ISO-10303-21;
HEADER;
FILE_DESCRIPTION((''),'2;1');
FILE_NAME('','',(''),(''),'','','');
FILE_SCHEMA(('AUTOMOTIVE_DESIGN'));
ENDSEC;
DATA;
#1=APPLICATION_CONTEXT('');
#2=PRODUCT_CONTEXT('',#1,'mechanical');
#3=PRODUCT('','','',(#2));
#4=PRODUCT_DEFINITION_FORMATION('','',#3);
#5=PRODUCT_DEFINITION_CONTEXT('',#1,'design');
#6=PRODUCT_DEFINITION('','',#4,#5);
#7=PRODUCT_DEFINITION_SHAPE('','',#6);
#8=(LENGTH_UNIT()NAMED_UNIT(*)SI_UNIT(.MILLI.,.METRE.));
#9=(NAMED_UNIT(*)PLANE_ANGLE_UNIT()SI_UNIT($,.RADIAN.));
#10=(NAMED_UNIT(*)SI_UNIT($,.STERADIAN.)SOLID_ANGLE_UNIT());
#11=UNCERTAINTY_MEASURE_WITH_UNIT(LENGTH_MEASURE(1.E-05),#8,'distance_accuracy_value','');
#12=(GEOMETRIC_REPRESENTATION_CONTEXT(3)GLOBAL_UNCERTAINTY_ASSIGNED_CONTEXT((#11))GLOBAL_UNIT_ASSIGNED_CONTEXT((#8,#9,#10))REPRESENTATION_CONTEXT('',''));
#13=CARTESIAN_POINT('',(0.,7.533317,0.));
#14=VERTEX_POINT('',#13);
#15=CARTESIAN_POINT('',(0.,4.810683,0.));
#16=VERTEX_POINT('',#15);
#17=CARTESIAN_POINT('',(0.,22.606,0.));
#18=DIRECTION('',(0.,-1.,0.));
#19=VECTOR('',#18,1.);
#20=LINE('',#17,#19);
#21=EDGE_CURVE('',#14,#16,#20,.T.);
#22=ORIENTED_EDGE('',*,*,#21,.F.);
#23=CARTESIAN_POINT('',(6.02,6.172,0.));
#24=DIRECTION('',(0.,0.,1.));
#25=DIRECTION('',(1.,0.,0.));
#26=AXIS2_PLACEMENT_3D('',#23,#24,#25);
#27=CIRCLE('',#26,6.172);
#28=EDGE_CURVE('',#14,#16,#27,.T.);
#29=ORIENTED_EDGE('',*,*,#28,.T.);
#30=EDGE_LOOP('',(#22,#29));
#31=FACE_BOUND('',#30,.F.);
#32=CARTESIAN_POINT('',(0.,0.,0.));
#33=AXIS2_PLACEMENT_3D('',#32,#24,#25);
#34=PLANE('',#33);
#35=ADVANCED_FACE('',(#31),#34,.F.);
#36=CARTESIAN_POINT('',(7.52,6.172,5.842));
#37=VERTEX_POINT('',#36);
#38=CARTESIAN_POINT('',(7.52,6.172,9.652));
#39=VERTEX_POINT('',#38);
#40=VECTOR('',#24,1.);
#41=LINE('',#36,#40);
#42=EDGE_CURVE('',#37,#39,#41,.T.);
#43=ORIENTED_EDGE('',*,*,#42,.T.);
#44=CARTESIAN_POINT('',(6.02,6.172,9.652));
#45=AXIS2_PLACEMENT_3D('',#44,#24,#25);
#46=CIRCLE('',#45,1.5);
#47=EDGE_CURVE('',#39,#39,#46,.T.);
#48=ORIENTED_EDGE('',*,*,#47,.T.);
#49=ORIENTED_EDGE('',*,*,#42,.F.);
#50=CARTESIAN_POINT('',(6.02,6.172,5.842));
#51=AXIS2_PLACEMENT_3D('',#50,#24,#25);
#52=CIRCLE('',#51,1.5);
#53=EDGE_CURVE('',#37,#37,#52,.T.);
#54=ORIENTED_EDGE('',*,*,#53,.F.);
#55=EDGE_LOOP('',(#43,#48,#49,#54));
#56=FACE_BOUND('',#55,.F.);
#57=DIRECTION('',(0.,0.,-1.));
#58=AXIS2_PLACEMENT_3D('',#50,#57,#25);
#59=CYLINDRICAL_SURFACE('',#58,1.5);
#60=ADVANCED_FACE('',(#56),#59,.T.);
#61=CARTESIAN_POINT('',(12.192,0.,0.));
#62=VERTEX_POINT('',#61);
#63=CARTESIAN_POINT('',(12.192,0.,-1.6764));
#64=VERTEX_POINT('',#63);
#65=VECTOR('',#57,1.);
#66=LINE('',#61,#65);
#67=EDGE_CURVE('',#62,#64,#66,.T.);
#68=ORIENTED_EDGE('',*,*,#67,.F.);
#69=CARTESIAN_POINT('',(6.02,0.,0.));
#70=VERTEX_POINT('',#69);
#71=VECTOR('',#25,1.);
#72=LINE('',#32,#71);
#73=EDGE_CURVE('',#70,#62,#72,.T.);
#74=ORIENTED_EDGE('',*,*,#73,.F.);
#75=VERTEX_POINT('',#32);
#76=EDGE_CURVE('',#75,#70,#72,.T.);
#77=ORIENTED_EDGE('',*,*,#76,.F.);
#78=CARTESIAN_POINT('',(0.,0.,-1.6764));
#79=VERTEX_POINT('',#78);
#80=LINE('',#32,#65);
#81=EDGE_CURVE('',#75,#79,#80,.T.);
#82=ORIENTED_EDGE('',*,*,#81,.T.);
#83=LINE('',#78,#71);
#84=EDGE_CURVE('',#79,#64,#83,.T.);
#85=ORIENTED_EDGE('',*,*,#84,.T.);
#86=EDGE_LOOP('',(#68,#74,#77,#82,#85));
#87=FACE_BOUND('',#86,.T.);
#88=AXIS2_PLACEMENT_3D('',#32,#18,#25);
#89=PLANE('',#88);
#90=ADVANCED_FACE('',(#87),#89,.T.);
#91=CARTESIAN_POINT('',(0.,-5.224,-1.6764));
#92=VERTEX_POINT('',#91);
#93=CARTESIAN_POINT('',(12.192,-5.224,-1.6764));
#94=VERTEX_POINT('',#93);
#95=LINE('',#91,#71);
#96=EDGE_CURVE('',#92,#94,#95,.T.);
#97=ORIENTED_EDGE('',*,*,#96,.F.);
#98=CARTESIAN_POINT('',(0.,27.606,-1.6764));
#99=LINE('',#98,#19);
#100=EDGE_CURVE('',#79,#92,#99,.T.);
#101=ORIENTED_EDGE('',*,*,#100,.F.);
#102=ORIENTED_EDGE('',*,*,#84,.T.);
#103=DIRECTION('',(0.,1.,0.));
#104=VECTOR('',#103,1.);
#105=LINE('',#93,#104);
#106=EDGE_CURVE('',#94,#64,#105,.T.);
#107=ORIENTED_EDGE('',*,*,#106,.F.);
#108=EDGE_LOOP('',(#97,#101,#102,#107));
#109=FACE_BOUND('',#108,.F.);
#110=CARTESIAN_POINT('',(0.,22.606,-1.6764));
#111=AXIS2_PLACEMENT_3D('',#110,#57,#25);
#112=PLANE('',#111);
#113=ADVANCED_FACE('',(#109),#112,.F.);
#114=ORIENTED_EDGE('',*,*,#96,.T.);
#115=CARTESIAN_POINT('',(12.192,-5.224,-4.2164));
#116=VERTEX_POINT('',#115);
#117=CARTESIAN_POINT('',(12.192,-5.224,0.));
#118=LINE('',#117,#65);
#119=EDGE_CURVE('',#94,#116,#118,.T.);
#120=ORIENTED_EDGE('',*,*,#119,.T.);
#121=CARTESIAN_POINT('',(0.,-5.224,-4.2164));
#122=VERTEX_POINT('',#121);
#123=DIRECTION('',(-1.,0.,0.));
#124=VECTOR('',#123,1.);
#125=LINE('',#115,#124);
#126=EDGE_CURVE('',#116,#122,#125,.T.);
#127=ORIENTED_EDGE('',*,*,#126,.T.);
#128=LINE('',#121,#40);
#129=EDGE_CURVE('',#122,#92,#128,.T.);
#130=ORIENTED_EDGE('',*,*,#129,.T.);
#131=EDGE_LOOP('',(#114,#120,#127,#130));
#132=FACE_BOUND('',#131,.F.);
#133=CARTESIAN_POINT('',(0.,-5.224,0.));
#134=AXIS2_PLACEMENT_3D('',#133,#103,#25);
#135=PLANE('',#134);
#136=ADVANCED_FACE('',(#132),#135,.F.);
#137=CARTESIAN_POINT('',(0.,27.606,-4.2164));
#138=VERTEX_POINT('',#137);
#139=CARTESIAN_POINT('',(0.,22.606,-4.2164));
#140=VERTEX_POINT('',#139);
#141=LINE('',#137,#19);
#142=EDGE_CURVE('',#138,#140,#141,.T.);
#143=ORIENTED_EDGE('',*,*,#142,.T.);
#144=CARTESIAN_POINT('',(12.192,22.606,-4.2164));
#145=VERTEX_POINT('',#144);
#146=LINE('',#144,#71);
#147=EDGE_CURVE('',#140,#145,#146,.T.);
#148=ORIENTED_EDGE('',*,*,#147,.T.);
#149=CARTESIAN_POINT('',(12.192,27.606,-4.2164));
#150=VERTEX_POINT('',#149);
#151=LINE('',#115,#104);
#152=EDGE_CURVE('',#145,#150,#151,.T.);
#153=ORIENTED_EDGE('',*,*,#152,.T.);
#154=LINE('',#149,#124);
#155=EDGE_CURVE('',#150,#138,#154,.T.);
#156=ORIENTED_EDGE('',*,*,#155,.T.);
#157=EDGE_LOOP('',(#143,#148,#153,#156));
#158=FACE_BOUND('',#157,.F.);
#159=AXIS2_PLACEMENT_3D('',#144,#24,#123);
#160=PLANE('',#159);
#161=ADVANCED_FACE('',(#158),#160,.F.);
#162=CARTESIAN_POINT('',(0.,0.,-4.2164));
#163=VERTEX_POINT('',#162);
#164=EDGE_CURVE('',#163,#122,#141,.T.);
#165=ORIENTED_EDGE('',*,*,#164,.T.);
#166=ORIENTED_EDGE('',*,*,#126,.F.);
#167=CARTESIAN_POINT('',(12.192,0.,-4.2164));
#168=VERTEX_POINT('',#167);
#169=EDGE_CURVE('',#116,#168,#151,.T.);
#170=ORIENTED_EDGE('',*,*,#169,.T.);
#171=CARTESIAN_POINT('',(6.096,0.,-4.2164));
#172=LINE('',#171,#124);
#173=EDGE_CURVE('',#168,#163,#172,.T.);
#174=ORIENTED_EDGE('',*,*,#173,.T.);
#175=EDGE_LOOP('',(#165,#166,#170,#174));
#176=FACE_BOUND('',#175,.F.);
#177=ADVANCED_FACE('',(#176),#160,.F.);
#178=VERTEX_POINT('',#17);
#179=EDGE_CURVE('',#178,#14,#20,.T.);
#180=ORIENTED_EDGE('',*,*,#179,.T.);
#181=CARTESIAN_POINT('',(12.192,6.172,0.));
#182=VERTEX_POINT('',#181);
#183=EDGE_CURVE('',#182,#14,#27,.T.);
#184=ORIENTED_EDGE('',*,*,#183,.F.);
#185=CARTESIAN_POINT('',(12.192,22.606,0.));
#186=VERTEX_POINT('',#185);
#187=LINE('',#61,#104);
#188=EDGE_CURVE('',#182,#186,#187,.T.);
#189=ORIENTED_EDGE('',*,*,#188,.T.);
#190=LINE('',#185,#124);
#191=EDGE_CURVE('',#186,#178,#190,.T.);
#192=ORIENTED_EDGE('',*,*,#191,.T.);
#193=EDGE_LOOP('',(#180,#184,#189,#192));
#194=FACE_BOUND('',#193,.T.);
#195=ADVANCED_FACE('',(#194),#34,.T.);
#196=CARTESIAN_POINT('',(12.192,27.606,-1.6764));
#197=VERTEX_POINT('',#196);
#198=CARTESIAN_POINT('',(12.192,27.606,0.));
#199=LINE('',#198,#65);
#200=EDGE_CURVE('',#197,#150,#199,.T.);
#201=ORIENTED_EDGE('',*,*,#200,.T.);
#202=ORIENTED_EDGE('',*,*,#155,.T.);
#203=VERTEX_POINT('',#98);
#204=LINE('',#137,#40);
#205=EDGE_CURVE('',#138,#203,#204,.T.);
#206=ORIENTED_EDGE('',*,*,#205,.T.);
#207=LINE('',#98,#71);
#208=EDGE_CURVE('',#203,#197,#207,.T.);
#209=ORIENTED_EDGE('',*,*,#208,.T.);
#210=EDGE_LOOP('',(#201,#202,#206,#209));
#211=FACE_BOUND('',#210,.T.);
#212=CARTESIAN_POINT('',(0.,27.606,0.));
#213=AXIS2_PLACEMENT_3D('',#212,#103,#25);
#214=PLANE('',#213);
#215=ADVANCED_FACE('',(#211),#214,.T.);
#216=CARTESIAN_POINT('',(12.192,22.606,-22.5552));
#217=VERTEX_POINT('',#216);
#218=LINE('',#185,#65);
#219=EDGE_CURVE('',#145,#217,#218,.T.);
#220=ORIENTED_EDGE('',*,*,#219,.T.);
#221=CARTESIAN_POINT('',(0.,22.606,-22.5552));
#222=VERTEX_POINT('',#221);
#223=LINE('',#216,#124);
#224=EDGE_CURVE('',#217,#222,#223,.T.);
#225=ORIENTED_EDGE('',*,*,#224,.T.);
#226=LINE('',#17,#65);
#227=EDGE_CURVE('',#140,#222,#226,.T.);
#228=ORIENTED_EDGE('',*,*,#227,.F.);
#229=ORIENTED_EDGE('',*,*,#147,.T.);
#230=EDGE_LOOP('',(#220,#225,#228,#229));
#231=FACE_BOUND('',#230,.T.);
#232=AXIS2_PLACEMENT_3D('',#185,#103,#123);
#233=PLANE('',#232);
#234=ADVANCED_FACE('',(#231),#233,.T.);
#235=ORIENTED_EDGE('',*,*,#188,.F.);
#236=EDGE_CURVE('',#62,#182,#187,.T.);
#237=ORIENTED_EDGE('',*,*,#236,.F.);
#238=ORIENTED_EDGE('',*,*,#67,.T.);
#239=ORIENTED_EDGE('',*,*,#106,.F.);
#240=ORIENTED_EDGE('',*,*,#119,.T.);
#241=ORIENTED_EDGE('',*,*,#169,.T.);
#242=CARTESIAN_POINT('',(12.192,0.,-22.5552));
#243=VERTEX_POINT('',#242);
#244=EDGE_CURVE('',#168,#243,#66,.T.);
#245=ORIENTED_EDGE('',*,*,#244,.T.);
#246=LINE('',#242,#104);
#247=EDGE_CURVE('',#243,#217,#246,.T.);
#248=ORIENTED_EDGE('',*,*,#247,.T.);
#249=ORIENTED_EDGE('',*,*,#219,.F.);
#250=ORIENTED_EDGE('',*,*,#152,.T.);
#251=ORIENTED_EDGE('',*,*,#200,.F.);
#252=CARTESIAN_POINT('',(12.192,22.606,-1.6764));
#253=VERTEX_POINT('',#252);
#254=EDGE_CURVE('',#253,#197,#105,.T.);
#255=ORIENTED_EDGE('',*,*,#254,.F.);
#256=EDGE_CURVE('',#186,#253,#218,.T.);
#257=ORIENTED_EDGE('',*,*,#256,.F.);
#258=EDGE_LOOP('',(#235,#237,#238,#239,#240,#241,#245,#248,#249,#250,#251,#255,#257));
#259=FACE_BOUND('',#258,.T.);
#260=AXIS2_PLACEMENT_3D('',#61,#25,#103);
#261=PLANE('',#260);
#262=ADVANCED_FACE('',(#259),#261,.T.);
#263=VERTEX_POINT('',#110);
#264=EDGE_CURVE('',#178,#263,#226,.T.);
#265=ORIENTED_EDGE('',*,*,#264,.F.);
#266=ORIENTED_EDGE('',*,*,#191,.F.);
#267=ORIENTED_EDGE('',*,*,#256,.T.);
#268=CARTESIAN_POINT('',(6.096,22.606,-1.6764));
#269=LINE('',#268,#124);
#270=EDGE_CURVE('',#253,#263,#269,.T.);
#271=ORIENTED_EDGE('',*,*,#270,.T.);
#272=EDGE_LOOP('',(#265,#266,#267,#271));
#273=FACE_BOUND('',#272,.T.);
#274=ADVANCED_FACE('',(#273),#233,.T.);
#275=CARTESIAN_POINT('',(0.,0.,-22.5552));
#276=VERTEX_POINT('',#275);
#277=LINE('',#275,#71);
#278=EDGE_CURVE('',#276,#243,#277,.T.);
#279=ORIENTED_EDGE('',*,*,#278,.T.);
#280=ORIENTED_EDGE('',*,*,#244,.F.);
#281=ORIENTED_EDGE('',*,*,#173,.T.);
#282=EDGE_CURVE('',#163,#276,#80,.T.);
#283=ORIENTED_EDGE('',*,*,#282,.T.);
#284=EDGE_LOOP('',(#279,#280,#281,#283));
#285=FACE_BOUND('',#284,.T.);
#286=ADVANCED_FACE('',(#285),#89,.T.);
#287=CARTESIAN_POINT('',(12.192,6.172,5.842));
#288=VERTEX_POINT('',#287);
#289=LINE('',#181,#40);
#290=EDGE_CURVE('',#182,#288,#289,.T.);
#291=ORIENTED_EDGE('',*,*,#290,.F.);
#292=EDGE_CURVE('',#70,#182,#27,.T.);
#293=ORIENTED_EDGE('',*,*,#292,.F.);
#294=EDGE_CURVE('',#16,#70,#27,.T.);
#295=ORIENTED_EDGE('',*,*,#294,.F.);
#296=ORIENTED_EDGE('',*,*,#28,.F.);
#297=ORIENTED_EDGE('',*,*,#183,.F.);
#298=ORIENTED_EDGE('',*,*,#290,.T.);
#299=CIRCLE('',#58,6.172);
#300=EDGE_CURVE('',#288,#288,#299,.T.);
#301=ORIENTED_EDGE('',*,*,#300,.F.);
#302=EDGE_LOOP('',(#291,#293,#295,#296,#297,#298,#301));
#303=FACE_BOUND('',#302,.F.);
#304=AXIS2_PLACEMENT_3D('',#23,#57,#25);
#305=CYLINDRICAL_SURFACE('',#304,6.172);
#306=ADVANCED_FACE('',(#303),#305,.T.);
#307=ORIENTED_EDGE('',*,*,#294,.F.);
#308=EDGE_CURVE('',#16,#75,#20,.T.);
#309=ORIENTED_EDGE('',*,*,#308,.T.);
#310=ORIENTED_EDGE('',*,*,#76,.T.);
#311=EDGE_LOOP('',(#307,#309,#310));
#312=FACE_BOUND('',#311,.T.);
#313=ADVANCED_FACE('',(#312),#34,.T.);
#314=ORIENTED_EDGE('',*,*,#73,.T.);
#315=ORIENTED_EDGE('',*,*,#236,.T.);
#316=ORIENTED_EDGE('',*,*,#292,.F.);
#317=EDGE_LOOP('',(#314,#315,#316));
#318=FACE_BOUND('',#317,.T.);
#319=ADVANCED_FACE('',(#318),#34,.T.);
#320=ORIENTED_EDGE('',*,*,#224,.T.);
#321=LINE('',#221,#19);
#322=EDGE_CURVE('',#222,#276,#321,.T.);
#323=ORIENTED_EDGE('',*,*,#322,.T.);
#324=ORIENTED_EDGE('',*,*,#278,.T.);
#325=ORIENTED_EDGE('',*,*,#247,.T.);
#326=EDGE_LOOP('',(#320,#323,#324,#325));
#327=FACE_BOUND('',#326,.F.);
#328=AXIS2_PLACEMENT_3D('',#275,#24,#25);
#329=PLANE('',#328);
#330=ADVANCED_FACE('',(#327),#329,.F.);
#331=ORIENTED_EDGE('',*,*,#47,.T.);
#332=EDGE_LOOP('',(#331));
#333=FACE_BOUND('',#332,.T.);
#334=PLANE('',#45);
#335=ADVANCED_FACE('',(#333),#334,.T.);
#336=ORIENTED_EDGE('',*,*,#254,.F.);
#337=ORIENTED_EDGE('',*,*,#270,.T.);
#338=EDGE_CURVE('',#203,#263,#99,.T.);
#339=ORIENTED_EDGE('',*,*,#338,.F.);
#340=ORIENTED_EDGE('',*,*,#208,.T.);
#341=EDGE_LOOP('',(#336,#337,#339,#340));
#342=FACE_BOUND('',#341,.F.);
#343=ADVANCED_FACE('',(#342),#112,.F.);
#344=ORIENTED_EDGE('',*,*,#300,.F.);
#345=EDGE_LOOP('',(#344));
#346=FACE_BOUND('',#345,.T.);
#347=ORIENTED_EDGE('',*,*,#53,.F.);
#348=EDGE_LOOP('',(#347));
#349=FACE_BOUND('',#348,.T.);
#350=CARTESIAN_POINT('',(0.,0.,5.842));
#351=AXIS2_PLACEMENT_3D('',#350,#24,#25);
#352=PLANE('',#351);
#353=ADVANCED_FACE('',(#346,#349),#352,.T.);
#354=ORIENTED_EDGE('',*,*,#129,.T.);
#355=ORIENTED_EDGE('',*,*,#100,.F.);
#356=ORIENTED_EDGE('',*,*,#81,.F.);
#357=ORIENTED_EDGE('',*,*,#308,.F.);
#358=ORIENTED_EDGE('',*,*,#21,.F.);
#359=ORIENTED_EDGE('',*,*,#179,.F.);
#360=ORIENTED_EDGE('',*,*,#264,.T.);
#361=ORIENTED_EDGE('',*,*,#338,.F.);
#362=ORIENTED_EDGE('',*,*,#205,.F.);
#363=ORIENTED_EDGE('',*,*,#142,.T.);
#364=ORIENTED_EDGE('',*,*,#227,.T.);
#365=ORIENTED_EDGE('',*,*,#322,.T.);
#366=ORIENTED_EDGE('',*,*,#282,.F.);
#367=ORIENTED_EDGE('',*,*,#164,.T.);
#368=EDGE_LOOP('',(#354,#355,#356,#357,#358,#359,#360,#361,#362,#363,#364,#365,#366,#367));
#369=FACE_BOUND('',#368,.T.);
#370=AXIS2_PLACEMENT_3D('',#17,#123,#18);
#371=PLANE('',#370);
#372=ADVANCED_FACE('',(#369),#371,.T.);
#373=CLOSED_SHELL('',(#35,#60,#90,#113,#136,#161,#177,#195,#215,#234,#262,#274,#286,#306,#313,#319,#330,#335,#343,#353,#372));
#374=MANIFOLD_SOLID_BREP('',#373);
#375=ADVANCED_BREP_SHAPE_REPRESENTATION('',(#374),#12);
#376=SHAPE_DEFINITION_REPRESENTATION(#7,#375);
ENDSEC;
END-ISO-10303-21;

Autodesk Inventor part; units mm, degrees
ref_plane "YZ Plane" through (0, 0, 0) normal (1, 0, 0) x (0, 1, 0)
ref_plane "XZ Plane" through (0, 0, 0) normal (0, 1, 0) x (-1, 0, 0)
ref_plane "XY Plane" through (0, 0, 0) normal (0, 0, 1) x (1, 0, 0)
sketch "Sketch1" plane through (0, 0, 0) normal (0, 0, 1) x (1, 0, 0)
  line L0 (0, 0) -> (12.192, 0)
  line L1 (12.192, 0) -> (12.192, 22.606)
  line L2 (12.192, 22.606) -> (0, 22.606)
  line L3 (0, 22.606) -> (0, 0)
  dimension "d0" = 12.192
  dimension "d1" = 22.606
extrude "Extrusion1" add sketch "Sketch1" against normal blind 22.5552
sketch "Sketch2" plane through (0, 22.606, 0) normal (0, 1, 0) x (1, 0, 0)
  line L0 (12.192, 0) -> (12.192, 22.5552) projected
  line L1 (0, 1.6764) -> (12.192, 1.6764)
  line L2 (12.192, 1.6764) -> (12.192, 4.2164)
  line L3 (12.192, 4.2164) -> (0, 4.2164)
  line L4 (0, 4.2164) -> (0, 1.6764)
  line L5 (12.192, 0) -> (0, 0) projected
  dimension "d4" = 2.54
  dimension "d5" = 1.6764
  dimension "d6" = 4.2164
extrude "Extrusion2" add sketch "Sketch2" along normal blind 5 and the other way blind 27.83
sketch "Sketch3" plane through (0, 0, 0) normal (0, 0, 1) x (1, 0, 0)
  circle A0 centre (6.02, 6.172) radius 6.172
  line L0 (12.192, 0) -> (12.192, 22.606) projected
  line L1 (0, 22.606) -> (0, 0) projected
  line L2 (0, 0) -> (12.192, 0) projected
  dimension "d11" = 6.172
  dimension "d12" = 12.192
  dimension "d13" = 6.02
  dimension "d14" = 12.344
extrude "Extrusion3" add sketch "Sketch3" along normal blind 5.842 contours A0 L1 | L1 A0
sketch "Sketch4" plane through (6.02, 6.172, 5.842) normal (0, 0, 1) x (1, 0, 0)
  circle A0 centre (0, 0) radius 1.5
  line L0 (0, -6.172) -> (6.172, -6.172) projected
  line L1 (6.172, 16.434) -> (-6.02, 16.434) projected
  line L2 (-6.02, 16.434) -> (-6.02, 1.3613) projected
  line L3 (6.172, 0) -> (6.172, 16.434) projected
  point P0 (-6.02, -6.172)
  dimension "d17" = 3
  dimension "d24" = 22.606
  dimension "d25" = 12.192
extrude "Extrusion4" add sketch "Sketch4" along normal blind 3.81
properties part number "small servo"
